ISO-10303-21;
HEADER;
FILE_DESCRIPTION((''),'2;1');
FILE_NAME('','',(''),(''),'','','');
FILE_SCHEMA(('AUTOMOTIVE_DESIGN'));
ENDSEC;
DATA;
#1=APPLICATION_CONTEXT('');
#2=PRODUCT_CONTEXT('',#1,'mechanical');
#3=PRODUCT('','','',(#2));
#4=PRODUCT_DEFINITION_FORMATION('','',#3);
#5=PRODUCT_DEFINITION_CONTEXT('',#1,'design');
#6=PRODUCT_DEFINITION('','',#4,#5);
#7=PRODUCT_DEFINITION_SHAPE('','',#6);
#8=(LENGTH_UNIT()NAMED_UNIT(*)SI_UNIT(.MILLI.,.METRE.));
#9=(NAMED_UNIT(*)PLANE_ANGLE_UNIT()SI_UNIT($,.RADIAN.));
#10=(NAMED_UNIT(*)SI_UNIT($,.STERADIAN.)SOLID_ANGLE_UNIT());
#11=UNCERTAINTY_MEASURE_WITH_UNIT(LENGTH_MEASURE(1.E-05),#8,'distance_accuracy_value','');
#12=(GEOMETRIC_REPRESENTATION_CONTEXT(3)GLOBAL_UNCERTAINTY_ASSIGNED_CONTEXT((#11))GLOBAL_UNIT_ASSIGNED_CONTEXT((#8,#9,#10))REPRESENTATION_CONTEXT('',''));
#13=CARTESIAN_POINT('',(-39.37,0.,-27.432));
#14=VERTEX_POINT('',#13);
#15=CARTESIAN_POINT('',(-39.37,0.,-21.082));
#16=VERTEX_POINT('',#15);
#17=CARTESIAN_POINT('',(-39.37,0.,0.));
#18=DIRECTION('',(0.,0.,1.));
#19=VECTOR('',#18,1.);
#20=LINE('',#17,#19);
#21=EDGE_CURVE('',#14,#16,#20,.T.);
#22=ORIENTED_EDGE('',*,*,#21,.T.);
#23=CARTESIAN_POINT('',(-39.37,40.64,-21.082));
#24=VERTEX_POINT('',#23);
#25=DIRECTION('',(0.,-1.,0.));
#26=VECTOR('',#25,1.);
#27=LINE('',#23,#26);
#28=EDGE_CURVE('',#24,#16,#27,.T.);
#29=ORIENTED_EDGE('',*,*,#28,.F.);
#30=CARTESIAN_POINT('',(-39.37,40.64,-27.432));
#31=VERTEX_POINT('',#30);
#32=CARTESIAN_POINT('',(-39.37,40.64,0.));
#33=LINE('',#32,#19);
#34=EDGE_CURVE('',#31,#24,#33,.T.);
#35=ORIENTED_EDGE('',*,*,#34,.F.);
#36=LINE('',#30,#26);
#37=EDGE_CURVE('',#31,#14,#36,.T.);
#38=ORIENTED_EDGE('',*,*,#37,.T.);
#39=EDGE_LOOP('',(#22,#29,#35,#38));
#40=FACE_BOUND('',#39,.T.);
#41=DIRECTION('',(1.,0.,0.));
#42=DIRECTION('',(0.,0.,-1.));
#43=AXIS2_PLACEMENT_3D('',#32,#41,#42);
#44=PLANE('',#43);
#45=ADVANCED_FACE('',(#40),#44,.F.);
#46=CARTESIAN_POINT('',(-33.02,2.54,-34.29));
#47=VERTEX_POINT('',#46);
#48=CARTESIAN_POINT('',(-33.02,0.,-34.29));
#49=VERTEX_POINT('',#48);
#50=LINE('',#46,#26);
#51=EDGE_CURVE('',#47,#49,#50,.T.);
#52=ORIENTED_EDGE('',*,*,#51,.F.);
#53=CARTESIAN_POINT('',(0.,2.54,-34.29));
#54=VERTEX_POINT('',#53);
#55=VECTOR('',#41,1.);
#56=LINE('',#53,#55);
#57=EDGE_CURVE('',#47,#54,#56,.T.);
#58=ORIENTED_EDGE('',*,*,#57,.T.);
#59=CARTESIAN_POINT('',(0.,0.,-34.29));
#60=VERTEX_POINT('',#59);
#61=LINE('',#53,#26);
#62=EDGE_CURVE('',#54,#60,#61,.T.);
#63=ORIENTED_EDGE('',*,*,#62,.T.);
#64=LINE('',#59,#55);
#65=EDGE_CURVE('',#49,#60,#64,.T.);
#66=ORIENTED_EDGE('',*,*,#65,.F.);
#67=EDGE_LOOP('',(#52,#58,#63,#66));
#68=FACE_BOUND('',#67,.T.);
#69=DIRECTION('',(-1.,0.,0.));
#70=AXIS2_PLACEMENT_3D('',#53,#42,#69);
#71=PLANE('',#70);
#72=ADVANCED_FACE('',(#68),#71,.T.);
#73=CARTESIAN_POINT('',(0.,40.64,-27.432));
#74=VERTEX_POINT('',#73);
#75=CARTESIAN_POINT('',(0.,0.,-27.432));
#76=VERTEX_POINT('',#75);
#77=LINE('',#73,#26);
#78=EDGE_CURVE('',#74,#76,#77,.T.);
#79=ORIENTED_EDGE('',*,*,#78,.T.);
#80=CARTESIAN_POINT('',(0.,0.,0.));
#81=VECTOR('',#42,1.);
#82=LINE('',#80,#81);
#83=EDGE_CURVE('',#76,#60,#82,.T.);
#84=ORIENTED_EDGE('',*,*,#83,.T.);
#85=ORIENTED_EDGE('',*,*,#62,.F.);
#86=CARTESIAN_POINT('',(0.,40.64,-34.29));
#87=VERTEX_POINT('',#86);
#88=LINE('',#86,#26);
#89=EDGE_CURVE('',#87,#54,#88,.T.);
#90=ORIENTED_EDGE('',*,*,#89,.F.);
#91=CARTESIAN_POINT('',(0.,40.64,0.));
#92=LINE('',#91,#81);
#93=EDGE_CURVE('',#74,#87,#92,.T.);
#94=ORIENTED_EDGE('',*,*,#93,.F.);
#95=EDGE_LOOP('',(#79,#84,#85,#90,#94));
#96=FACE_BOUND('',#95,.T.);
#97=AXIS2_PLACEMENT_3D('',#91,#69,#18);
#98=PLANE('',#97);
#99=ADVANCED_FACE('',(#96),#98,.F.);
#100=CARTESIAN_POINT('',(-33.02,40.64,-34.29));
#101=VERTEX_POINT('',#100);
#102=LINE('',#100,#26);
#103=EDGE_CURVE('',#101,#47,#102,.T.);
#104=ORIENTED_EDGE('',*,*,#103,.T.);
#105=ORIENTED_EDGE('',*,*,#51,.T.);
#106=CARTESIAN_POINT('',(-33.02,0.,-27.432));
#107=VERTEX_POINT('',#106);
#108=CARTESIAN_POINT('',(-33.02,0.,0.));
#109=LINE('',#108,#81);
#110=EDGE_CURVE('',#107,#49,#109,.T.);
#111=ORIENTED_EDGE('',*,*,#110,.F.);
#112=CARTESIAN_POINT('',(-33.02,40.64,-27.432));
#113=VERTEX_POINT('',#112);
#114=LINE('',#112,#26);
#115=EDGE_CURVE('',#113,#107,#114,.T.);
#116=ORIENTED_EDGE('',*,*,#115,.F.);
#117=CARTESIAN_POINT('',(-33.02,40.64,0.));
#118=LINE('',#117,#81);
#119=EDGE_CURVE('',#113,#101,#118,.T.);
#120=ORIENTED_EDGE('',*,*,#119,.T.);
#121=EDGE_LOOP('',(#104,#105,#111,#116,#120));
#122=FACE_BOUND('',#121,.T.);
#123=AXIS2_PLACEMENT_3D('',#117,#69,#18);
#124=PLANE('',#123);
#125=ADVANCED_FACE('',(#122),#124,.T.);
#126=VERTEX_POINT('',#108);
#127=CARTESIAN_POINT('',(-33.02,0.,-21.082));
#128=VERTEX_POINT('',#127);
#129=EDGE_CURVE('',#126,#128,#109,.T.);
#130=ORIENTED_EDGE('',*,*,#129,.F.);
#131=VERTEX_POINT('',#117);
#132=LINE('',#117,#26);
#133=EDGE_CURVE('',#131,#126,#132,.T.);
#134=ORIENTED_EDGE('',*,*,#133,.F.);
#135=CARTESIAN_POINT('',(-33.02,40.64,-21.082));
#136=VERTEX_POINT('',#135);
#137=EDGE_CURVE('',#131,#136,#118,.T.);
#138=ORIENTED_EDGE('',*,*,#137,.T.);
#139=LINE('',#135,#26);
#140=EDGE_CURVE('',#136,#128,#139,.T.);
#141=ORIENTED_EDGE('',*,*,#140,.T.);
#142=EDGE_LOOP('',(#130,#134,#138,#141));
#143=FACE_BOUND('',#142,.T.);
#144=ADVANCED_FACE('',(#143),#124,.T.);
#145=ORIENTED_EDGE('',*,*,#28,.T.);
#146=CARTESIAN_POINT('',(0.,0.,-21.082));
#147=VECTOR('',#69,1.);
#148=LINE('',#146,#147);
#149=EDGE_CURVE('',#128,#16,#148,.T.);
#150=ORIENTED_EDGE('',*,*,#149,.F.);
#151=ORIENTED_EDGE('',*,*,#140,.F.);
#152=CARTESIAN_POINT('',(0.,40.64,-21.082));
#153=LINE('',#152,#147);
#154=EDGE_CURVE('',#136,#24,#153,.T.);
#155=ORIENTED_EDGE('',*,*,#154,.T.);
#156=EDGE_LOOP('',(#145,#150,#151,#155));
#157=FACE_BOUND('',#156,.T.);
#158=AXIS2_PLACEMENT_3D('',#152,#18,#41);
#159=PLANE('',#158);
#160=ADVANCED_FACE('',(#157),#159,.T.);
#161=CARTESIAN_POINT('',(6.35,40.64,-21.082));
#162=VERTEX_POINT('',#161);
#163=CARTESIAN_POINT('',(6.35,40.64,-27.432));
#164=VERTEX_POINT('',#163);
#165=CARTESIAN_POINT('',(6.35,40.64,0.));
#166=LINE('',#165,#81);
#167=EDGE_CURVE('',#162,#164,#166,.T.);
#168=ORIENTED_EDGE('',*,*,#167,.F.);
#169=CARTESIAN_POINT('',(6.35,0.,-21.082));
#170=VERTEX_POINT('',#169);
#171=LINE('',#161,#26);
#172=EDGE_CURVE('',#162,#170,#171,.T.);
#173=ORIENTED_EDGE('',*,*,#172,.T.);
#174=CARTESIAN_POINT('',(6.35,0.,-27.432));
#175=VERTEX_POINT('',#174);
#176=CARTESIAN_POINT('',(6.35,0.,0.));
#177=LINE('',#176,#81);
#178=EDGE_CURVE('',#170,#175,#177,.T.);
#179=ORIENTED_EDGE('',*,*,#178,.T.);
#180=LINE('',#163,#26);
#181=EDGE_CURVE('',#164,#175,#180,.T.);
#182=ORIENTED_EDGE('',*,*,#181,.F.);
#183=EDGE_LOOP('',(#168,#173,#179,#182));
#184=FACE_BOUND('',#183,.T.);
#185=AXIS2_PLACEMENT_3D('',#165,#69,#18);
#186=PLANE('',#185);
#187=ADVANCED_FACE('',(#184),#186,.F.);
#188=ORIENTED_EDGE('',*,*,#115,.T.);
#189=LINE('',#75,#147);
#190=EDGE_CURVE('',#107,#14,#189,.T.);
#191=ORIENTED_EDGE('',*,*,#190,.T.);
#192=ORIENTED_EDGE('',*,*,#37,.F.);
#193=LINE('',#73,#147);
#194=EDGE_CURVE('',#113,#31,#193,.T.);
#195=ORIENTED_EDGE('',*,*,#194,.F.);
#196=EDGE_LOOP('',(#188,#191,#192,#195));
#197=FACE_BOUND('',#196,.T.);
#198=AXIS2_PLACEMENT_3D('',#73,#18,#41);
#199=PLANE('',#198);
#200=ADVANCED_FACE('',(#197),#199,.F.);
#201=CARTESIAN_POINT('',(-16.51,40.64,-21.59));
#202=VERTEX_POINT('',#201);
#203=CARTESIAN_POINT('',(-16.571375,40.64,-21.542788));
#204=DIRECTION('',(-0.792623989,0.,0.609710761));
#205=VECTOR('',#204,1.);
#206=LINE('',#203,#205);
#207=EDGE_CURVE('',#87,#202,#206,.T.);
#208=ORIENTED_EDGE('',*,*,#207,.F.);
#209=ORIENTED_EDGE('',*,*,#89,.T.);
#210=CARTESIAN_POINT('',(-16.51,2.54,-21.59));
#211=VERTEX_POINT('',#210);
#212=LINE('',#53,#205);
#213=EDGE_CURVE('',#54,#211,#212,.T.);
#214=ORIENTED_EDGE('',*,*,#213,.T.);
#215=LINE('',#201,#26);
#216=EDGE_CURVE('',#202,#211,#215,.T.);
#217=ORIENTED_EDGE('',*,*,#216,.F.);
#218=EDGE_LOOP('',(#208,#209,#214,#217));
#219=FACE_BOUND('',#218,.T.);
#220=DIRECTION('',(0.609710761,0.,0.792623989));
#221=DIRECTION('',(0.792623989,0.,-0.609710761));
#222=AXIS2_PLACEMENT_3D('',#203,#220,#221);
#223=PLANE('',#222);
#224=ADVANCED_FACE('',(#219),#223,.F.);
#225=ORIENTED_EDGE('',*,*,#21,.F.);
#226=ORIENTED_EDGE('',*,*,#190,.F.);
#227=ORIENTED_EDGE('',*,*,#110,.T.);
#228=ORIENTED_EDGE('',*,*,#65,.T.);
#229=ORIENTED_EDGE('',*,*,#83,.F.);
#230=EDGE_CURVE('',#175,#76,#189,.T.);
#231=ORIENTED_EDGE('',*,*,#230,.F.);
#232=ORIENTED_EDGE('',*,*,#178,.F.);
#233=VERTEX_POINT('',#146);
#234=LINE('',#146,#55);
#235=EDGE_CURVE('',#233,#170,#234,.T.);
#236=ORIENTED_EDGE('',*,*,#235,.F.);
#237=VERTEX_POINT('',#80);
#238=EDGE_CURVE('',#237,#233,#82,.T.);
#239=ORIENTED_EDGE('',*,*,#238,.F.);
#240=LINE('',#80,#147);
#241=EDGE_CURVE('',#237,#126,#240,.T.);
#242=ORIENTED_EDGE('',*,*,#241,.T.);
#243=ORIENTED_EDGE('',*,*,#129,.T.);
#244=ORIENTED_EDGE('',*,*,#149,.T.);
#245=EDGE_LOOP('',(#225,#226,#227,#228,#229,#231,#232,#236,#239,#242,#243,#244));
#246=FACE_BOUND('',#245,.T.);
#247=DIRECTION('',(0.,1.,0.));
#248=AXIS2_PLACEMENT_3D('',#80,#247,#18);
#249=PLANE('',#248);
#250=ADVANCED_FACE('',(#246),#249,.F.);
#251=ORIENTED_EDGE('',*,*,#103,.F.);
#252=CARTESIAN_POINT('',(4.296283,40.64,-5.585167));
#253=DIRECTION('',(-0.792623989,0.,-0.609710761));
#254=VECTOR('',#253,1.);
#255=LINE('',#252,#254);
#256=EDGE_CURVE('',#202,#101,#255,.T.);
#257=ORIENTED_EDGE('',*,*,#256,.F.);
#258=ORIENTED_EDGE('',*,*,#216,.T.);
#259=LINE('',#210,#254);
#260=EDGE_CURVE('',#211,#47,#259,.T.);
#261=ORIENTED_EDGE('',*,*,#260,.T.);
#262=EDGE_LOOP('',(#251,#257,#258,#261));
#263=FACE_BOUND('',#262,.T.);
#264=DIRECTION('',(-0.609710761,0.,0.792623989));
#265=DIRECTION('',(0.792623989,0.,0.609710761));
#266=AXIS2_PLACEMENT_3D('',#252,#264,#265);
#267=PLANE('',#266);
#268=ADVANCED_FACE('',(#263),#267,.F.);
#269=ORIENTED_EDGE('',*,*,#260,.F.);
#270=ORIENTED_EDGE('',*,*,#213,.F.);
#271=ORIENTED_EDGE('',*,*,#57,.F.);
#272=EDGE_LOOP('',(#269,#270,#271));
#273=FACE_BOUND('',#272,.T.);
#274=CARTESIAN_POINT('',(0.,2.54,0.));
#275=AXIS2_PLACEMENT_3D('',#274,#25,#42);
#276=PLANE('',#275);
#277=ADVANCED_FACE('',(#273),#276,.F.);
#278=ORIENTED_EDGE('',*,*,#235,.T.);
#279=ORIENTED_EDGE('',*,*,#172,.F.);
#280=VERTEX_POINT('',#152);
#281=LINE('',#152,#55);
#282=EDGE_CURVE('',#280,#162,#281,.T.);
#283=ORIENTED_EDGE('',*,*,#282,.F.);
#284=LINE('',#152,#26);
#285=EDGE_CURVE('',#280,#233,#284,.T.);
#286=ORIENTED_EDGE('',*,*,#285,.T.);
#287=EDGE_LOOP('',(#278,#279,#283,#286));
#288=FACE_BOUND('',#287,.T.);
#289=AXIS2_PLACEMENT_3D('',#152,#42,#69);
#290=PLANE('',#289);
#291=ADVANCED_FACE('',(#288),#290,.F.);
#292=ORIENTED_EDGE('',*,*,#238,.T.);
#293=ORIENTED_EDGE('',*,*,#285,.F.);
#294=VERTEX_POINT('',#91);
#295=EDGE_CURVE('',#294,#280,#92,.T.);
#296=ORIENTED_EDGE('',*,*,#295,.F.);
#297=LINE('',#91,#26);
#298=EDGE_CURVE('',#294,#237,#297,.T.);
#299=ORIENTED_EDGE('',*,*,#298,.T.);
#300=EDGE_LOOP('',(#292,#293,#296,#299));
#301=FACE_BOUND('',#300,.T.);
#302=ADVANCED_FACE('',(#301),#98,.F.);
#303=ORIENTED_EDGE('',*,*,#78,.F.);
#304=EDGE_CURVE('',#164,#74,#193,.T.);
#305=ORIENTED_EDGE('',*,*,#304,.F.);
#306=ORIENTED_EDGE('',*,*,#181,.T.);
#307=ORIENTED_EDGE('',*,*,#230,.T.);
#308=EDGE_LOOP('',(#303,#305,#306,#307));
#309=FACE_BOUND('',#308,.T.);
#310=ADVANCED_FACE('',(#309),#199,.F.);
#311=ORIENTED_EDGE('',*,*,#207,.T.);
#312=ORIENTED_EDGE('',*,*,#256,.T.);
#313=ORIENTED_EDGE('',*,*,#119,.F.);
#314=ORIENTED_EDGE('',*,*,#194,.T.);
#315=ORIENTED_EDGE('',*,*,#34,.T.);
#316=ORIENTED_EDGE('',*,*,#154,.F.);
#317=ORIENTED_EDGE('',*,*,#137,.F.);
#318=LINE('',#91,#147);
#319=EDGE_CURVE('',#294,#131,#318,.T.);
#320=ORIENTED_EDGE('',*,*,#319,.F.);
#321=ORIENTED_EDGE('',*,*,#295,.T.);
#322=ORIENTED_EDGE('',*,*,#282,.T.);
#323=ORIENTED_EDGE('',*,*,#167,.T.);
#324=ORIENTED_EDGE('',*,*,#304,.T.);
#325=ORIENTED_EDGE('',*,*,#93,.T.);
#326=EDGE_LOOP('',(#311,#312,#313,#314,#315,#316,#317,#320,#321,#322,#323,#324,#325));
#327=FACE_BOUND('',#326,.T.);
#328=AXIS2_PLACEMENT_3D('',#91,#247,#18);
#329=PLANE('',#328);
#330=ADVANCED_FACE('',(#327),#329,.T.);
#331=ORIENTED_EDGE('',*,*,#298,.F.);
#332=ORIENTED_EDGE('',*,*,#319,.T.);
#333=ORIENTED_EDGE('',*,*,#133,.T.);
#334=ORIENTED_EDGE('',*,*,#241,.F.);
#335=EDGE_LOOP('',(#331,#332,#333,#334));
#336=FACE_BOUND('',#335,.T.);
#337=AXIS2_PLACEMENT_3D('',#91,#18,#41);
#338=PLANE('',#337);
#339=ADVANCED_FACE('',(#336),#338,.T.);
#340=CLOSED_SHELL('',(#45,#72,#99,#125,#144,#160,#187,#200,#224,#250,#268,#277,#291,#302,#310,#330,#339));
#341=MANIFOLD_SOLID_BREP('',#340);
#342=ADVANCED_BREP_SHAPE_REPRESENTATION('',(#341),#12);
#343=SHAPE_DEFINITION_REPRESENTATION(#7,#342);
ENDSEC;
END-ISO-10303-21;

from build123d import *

# Parameters (mm, degrees)
SKETCH2_W           = 6.35
SKETCH2_H           = 6.35
BOSS_EXTRUDE1_DEPTH = 40.64
BOSS_EXTRUDE2_DEPTH = 2.54


with BuildPart() as part:
    # Sketch2 → Boss-Extrude1 (new body)
    with BuildSketch(Plane(origin=(0, 0, 0), x_dir=(1, 0, 0), z_dir=(0, 1, 0))):
        Polygon((-33.02, 0), (0, 0), (0, 21.082), (0, 27.432), (0, 34.29), (-16.51, 21.59), (-33.02, 34.29), (-33.02, 27.432), (-33.02, 21.082), align=None)
        with Locations((-36.195, 24.257)):
            Rectangle(SKETCH2_W, SKETCH2_H)
        with Locations((3.175, 24.257)):
            Rectangle(SKETCH2_W, SKETCH2_H)
    extrude(amount=BOSS_EXTRUDE1_DEPTH)

    # Sketch5 → Boss-Extrude2 (add)
    with BuildSketch(Plane.XZ):
        Polygon((0, -34.29), (-33.02, -34.29), (-16.51, -21.59), align=None)
    extrude(amount=-BOSS_EXTRUDE2_DEPTH)


solid = part.part
